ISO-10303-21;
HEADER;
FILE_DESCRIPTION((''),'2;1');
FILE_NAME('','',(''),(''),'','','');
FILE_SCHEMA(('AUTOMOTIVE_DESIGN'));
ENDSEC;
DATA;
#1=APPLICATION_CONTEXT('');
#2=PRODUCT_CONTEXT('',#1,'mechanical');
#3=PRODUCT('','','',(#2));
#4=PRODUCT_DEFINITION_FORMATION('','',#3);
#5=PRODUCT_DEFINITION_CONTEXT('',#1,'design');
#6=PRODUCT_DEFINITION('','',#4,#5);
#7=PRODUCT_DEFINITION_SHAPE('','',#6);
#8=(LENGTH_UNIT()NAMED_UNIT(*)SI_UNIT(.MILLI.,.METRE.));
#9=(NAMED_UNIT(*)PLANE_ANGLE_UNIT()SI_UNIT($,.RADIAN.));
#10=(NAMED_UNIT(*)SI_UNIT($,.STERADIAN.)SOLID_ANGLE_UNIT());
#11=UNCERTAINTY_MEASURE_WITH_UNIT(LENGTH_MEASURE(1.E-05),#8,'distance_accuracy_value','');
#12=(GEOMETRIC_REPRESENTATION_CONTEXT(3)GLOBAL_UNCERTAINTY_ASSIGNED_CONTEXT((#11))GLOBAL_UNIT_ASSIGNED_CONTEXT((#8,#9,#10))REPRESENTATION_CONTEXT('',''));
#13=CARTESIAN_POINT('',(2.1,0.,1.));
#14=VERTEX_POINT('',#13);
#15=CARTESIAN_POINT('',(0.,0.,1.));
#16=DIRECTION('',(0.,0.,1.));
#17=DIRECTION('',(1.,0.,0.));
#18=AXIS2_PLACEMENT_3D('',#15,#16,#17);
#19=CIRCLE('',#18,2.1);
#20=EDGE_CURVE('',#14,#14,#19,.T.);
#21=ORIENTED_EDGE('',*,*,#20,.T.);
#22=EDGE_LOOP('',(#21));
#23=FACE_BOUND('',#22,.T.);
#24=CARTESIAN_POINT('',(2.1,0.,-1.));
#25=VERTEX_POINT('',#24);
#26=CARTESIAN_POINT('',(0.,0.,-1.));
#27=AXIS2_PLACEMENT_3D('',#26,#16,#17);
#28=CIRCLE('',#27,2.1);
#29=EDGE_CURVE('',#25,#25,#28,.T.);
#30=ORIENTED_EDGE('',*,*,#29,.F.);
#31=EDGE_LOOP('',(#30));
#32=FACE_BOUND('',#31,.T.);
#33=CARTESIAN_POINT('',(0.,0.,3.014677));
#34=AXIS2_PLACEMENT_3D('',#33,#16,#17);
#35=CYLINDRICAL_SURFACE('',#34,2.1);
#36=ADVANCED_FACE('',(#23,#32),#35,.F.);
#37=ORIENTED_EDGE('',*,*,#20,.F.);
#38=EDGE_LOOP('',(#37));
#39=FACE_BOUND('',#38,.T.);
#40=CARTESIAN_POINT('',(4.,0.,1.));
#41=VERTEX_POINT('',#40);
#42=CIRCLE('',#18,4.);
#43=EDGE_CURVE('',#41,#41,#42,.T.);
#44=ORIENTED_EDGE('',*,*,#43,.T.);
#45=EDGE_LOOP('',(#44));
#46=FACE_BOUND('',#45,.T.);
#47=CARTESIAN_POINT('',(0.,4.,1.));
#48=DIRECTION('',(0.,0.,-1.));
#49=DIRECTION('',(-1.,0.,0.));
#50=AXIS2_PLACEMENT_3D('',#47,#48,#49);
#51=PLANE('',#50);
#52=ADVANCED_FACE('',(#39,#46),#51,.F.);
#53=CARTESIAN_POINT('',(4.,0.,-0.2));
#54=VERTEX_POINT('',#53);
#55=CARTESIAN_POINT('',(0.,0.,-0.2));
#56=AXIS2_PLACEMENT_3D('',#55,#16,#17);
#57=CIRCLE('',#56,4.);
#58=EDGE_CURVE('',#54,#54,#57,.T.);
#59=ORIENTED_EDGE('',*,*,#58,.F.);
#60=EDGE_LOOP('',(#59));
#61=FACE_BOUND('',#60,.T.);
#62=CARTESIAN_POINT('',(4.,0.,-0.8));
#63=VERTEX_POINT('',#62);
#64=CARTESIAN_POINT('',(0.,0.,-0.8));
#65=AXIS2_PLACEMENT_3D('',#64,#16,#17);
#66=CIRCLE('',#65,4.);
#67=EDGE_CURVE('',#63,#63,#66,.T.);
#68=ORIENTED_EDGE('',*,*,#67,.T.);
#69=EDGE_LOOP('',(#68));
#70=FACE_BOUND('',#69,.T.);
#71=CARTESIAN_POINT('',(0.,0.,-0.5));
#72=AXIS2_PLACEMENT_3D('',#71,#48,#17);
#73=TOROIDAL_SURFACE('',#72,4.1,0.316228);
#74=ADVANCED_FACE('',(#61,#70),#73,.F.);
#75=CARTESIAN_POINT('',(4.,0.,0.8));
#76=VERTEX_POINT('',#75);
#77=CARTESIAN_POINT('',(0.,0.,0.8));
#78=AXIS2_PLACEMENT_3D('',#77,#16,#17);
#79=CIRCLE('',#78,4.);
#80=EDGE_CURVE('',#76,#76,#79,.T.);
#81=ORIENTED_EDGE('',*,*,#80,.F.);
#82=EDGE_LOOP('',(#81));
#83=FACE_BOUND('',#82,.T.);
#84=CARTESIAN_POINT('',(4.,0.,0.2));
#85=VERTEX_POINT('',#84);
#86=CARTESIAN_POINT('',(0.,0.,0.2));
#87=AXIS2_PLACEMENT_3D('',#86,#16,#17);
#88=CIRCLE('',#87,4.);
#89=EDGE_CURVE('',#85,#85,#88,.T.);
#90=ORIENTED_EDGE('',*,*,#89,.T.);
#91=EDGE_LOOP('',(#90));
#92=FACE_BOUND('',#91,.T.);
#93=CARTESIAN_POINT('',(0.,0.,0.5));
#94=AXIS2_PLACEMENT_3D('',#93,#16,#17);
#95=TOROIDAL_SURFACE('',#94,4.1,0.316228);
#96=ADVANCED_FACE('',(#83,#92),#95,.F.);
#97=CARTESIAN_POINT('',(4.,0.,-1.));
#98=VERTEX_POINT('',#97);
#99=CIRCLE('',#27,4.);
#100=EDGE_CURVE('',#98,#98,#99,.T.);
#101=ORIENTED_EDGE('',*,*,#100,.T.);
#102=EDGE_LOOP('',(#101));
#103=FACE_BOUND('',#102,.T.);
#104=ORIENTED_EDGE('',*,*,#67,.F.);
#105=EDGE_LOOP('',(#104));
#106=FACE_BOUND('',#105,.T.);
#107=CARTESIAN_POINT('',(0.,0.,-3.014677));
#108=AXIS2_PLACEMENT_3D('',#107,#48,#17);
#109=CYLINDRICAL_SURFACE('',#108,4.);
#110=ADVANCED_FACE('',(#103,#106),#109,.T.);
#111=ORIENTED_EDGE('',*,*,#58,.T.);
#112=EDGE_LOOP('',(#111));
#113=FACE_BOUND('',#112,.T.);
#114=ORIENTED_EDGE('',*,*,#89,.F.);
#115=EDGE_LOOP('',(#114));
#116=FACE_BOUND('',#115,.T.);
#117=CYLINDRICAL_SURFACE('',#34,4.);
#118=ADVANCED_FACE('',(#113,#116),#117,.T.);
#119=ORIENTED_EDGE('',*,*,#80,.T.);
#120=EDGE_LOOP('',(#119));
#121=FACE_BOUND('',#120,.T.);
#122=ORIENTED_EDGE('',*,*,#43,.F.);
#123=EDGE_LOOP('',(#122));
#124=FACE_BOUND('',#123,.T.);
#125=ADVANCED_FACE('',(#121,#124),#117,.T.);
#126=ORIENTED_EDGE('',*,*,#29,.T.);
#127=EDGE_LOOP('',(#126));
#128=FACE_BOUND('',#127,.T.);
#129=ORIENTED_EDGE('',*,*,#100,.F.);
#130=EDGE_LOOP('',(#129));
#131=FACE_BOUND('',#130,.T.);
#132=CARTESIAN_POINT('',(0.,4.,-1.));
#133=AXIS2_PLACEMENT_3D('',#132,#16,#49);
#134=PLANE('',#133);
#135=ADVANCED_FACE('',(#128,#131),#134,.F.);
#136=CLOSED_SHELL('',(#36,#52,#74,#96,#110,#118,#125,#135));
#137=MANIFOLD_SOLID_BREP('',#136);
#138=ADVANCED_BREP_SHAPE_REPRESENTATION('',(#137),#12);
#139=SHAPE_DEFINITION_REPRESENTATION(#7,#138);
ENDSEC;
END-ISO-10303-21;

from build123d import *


with BuildPart() as part:
    # Sketch2 → Revolve1 (revolve)
    with BuildSketch(Plane(origin=(0, 0, 0), x_dir=(0, 0, -1), z_dir=(1, 0, 0))):
        with BuildLine():
            Line((0, 2.1), (0, 4))
            Line((0, 4), (-0.2, 4))
            ThreePointArc((-0.2, 4), (-0.5, 3.783772234), (-0.8, 4))
            Line((-0.8, 4), (-1, 4))
            Line((-1, 4), (-1, 2.1))
            Line((-1, 2.1), (0, 2.1))
        make_face()
    revolve1 = revolve(axis=Axis((0, 0, 3.014677367), (0, 0, -1)))

    # Mirror2: Revolve1 across plane
    add(revolve1.mirror(Plane(origin=(0, 0, 0), x_dir=(1, 0, 0), z_dir=(0, 0, -1))))


solid = part.part
